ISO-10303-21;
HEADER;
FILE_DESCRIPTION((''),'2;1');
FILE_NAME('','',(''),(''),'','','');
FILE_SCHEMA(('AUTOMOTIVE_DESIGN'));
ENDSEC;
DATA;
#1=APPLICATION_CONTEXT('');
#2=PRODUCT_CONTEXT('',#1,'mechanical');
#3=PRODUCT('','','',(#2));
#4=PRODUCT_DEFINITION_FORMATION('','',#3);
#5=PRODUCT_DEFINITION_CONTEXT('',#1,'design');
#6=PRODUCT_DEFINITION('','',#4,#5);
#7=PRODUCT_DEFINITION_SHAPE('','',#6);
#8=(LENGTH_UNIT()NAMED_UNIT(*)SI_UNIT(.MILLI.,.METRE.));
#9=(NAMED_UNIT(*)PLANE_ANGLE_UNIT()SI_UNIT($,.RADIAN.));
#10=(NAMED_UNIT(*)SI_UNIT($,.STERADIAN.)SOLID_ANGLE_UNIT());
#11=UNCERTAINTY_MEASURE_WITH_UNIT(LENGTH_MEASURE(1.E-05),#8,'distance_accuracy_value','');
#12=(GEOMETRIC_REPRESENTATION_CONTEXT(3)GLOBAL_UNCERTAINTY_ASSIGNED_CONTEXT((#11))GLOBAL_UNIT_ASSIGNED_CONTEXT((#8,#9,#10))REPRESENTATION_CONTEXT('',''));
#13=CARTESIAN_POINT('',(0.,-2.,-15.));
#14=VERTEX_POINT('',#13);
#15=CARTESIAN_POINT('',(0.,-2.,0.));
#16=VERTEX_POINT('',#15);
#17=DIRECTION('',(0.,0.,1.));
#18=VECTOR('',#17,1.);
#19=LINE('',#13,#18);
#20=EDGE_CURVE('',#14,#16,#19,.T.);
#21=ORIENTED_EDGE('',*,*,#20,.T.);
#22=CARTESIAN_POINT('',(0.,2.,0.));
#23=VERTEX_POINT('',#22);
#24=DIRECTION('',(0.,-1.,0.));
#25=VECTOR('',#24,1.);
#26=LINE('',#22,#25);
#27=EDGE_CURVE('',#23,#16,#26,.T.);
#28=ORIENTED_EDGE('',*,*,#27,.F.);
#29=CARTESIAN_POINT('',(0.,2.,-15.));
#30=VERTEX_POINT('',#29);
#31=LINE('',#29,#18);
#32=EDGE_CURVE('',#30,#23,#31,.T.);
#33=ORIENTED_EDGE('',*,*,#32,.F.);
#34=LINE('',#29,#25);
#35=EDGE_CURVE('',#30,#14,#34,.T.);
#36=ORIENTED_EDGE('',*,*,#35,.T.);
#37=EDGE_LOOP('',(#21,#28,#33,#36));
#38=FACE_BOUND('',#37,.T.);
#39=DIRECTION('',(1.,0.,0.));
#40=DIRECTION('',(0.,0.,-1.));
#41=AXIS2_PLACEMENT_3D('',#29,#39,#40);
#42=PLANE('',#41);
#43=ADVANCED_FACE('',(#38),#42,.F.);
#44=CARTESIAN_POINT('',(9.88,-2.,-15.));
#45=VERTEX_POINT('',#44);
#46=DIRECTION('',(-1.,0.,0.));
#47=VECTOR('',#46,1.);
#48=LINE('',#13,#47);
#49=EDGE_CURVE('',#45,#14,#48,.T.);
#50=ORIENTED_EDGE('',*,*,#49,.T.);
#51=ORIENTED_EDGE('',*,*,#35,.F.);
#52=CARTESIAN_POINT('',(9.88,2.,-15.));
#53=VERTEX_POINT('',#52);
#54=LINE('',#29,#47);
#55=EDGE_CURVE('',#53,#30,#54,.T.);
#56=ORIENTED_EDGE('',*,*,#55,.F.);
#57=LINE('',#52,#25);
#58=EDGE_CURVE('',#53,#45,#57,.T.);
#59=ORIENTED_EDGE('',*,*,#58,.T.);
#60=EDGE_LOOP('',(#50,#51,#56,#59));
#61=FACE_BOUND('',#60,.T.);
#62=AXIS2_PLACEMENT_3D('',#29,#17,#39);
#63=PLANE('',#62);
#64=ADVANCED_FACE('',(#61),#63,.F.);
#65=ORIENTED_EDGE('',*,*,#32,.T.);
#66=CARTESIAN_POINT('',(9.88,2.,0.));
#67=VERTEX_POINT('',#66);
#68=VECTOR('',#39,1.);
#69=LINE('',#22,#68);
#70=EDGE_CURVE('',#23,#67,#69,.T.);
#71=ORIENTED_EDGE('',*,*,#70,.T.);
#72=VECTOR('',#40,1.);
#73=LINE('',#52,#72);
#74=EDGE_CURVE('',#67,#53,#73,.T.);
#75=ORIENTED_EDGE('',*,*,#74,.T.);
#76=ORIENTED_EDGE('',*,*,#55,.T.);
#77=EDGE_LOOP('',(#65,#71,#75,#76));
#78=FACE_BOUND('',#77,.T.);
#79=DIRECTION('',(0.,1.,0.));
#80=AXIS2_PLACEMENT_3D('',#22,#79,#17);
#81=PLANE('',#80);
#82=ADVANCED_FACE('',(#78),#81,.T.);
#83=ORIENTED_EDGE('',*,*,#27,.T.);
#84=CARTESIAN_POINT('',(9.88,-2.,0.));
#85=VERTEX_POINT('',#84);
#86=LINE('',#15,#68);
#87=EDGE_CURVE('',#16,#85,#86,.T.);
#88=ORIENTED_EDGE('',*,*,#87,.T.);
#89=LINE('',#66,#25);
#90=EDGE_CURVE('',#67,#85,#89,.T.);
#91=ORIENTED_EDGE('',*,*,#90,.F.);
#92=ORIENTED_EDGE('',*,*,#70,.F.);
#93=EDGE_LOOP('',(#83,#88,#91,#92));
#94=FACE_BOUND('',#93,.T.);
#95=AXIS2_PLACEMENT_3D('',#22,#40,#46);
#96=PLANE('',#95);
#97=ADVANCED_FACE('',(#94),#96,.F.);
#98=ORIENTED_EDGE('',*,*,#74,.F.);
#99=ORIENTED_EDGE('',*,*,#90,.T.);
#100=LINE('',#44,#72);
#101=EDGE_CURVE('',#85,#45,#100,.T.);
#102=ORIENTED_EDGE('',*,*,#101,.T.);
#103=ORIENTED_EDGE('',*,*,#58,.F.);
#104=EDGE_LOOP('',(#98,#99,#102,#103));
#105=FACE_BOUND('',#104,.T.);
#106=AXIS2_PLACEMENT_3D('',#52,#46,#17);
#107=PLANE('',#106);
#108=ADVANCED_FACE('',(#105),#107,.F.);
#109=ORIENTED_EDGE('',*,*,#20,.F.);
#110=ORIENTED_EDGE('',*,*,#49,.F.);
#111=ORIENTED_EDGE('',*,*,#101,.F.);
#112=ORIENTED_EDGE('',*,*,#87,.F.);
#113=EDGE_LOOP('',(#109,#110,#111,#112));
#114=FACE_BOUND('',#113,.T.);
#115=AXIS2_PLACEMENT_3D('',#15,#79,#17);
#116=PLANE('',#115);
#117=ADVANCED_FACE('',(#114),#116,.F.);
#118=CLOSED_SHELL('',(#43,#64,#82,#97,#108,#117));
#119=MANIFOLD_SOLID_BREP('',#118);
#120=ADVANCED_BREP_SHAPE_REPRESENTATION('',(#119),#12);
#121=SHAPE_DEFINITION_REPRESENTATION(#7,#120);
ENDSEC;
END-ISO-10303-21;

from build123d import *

# Parameters (mm, degrees)
SKETCH1_W           = 9.88
SKETCH1_H           = 15
BOSS_EXTRUDE1_DEPTH = 2


with BuildPart() as part:
    # Sketch1 → Boss-Extrude1 (new, symmetric)
    with BuildSketch(Plane(origin=(0, 0, 0), x_dir=(1, 0, 0), z_dir=(0, 1, 0))):
        with Locations((4.94, 7.5)):
            Rectangle(SKETCH1_W, SKETCH1_H)
    extrude(amount=BOSS_EXTRUDE1_DEPTH, both=True)


solid = part.part
